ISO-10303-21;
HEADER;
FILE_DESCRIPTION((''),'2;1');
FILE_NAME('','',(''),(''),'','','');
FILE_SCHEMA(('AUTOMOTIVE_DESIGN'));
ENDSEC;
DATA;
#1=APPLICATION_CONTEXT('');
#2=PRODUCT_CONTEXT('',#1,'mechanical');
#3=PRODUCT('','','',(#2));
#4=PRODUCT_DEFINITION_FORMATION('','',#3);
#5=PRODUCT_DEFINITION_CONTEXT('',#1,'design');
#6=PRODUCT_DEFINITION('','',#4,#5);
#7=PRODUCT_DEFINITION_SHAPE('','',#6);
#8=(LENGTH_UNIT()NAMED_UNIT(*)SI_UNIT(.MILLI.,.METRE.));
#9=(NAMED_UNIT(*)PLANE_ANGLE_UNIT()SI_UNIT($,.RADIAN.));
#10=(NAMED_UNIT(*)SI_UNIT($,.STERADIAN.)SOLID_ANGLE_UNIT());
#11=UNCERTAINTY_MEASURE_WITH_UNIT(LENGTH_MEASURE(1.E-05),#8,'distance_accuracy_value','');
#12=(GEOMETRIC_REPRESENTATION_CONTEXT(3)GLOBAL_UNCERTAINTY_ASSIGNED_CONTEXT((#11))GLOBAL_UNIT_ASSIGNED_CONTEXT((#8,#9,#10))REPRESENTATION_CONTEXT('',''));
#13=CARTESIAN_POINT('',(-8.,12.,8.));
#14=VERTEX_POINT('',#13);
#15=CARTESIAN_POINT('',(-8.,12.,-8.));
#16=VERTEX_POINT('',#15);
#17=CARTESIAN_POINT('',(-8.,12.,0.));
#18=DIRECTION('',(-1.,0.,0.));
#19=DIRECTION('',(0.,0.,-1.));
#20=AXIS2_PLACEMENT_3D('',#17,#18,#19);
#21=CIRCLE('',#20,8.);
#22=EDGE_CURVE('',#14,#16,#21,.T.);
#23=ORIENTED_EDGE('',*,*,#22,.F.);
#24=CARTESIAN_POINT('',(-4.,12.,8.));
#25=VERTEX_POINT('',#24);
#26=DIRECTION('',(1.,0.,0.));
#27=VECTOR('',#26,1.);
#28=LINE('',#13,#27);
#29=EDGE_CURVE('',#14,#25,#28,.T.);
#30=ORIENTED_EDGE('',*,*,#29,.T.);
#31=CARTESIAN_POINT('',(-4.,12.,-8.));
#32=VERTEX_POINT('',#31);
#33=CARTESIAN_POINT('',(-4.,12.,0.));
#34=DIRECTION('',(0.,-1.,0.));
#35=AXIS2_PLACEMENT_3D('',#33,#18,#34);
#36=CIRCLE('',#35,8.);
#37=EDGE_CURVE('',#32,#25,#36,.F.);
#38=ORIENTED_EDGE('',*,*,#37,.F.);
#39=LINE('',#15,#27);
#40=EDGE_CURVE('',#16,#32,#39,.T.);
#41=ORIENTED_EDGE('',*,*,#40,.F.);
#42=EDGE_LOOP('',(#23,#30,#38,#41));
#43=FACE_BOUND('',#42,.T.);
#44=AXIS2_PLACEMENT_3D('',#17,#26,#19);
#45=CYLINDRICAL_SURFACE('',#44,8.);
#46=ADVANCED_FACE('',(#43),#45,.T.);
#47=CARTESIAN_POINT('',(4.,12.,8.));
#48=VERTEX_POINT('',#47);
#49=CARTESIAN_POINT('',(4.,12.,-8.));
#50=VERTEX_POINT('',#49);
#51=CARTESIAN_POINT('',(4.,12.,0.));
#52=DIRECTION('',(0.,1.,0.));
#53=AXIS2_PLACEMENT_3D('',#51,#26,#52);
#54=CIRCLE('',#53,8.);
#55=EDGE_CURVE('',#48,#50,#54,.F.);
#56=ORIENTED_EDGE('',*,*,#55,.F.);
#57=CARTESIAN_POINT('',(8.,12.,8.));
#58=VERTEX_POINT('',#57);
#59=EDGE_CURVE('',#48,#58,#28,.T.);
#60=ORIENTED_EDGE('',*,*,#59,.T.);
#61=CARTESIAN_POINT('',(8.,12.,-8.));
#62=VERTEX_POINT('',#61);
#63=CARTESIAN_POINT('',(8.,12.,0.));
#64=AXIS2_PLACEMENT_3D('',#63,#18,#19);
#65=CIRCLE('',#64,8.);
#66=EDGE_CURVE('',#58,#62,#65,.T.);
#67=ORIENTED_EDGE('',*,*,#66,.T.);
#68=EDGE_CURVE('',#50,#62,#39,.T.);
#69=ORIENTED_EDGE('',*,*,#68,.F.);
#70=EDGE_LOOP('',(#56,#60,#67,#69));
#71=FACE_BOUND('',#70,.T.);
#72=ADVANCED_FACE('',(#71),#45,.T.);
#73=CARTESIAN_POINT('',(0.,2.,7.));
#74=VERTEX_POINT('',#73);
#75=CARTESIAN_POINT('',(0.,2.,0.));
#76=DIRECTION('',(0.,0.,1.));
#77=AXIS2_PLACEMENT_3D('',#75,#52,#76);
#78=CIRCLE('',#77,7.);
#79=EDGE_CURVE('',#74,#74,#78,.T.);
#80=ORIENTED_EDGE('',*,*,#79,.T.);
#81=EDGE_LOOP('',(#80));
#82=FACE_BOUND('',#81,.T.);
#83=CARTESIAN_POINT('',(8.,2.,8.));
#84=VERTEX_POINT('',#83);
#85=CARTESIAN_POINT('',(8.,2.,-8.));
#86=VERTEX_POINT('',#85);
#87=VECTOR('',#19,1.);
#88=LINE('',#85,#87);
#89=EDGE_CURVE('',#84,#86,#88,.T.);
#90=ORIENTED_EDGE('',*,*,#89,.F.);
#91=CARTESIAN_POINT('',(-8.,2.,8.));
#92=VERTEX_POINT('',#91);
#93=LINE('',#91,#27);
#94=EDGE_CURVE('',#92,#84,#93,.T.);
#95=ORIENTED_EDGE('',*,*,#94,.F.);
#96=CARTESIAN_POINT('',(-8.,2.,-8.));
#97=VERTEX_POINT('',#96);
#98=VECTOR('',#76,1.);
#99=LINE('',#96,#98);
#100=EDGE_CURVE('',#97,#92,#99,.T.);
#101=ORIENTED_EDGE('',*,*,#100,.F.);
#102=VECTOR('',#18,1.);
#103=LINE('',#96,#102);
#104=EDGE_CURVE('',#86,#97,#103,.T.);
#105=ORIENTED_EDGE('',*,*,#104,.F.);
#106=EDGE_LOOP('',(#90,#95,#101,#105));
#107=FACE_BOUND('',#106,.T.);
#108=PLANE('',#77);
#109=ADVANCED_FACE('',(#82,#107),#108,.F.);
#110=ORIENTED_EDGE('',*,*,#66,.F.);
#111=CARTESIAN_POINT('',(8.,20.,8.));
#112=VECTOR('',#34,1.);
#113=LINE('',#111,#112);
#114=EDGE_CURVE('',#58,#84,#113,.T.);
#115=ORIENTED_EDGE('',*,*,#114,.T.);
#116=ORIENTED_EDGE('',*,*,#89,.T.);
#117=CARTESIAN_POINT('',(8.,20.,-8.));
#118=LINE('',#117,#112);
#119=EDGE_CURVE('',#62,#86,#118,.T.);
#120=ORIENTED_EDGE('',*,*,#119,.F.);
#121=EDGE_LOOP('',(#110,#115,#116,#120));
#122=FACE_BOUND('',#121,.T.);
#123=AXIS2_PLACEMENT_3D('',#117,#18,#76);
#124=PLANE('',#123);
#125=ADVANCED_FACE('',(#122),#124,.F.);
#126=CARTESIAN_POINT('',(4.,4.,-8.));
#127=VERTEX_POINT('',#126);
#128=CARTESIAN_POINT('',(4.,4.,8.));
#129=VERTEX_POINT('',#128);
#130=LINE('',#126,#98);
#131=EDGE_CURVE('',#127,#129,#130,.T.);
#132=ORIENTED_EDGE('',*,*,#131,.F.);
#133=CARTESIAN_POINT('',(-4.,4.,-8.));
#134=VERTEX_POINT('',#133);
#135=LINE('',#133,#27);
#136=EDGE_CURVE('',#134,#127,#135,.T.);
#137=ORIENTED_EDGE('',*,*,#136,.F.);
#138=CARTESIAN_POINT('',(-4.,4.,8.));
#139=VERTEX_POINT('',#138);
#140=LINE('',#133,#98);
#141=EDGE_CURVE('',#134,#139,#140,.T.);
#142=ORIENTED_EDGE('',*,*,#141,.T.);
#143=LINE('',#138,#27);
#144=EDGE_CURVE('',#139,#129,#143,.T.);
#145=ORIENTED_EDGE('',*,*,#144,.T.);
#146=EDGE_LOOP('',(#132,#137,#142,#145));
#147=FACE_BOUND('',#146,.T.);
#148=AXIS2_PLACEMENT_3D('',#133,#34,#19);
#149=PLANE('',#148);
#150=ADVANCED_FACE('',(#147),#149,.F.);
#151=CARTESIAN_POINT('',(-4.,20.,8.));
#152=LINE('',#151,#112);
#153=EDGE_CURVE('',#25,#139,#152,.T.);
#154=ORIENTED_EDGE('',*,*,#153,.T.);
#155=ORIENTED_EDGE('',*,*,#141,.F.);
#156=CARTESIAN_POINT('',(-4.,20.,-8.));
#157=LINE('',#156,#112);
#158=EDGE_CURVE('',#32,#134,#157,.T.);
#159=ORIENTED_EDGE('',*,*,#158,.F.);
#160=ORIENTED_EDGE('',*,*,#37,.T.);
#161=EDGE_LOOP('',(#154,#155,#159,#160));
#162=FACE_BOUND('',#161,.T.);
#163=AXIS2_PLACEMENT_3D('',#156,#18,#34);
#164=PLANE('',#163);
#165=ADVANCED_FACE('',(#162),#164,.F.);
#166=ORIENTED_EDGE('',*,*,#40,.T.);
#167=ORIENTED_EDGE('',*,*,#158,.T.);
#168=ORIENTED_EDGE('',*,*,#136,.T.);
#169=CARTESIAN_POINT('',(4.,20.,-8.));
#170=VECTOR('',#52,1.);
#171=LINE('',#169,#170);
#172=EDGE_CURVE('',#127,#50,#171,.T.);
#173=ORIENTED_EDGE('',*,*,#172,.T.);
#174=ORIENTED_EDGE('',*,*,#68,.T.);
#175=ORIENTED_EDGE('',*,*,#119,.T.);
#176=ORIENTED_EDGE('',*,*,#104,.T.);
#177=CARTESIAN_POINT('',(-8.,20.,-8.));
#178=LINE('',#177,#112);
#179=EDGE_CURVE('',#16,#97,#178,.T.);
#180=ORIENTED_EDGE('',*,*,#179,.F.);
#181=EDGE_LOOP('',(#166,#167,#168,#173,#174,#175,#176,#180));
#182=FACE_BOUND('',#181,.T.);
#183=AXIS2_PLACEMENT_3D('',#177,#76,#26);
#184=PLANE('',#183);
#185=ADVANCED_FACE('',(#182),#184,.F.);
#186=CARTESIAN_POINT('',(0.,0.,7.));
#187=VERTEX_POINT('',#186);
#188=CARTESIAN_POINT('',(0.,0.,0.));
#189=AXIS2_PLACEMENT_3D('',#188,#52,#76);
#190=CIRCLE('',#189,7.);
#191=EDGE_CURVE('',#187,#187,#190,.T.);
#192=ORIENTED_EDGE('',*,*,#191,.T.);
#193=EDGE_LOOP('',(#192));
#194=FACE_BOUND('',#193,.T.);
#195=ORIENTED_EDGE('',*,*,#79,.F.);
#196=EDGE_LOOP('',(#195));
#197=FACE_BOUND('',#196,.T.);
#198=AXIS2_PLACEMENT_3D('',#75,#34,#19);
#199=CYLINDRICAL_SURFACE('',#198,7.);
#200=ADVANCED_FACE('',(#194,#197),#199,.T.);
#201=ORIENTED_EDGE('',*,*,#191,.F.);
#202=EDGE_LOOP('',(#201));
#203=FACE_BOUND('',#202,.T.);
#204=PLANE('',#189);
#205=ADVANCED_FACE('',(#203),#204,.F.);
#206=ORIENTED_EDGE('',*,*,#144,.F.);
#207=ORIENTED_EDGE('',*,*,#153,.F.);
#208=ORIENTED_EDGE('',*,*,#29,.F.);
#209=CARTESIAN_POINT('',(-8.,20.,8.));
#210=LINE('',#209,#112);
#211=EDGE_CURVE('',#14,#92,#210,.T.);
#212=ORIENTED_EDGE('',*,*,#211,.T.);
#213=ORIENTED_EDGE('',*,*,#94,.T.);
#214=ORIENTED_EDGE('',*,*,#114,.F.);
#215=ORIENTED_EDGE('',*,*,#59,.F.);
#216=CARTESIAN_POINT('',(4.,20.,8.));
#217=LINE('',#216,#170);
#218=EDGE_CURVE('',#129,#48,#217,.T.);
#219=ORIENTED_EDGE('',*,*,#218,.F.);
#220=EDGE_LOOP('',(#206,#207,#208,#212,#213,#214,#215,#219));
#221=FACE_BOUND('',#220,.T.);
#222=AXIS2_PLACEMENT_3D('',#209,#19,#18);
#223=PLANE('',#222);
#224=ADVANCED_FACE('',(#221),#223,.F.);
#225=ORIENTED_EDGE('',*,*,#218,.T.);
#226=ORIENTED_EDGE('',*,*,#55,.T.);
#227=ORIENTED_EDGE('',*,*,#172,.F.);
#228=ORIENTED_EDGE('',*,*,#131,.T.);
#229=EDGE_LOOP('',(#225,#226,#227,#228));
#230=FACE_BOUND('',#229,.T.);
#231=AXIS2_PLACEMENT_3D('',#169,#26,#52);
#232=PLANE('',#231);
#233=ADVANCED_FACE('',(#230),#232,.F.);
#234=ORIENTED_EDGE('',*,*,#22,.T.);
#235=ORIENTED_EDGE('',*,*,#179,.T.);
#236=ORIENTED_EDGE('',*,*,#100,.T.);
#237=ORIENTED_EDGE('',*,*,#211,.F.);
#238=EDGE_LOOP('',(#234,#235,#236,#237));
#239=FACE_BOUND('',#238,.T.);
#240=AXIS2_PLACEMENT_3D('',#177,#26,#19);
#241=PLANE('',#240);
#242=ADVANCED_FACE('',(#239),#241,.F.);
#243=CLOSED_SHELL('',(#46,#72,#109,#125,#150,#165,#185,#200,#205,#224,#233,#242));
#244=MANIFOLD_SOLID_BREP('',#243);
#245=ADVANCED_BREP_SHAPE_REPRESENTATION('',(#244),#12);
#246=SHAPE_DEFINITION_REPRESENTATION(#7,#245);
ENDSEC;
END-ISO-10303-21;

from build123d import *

# Parameters (mm, degrees)
SKETCH_1_R          = 7
EXTRUDE_1_DEPTH     = 2
SKETCH_2_W          = 16
SKETCH_2_H          = 16
EXTRUDE_2_DEPTH     = 18
SKETCH_3_W          = 8
SKETCH_3_H          = 16
CUT_EXTRUDE_1_DEPTH = 16
CUT_EXTRUDE_2_DEPTH = 16


with BuildPart() as part:
    # 草图1 → 凸台-拉伸1 (new body)
    with BuildSketch(Plane(origin=(0, 0, 0), x_dir=(1, 0, 0), z_dir=(0, 1, 0))):
        Circle(SKETCH_1_R)
    extrude(amount=EXTRUDE_1_DEPTH)

    # 草图2 → 凸台-拉伸2 (add)
    with BuildSketch(Plane(origin=(0, 2, 0), x_dir=(1, 0, 0), z_dir=(0, 1, 0))):
        Rectangle(SKETCH_2_W, SKETCH_2_H)
    extrude(amount=EXTRUDE_2_DEPTH)

    # 草图3 → 切除-拉伸1 (cut)
    with BuildSketch(Plane.XY.offset(8)):
        with Locations((0, 12)):
            Rectangle(SKETCH_3_W, SKETCH_3_H)
    extrude(amount=-CUT_EXTRUDE_1_DEPTH, mode=Mode.SUBTRACT)

    # 草图4 → 切除-拉伸2 (cut)
    with BuildSketch(Plane(origin=(8, 0, 0), x_dir=(0, 0, -1), z_dir=(1, 0, 0))):
        with BuildLine():
            Line((-8, 12), (-8, 21.557868838))
            Line((-8, 21.557868838), (8, 21.557868838))
            Line((8, 21.557868838), (8, 12))
            ThreePointArc((8, 12), (0, 20), (-8, 12))
        make_face()
    extrude(amount=-CUT_EXTRUDE_2_DEPTH, mode=Mode.SUBTRACT)


solid = part.part
